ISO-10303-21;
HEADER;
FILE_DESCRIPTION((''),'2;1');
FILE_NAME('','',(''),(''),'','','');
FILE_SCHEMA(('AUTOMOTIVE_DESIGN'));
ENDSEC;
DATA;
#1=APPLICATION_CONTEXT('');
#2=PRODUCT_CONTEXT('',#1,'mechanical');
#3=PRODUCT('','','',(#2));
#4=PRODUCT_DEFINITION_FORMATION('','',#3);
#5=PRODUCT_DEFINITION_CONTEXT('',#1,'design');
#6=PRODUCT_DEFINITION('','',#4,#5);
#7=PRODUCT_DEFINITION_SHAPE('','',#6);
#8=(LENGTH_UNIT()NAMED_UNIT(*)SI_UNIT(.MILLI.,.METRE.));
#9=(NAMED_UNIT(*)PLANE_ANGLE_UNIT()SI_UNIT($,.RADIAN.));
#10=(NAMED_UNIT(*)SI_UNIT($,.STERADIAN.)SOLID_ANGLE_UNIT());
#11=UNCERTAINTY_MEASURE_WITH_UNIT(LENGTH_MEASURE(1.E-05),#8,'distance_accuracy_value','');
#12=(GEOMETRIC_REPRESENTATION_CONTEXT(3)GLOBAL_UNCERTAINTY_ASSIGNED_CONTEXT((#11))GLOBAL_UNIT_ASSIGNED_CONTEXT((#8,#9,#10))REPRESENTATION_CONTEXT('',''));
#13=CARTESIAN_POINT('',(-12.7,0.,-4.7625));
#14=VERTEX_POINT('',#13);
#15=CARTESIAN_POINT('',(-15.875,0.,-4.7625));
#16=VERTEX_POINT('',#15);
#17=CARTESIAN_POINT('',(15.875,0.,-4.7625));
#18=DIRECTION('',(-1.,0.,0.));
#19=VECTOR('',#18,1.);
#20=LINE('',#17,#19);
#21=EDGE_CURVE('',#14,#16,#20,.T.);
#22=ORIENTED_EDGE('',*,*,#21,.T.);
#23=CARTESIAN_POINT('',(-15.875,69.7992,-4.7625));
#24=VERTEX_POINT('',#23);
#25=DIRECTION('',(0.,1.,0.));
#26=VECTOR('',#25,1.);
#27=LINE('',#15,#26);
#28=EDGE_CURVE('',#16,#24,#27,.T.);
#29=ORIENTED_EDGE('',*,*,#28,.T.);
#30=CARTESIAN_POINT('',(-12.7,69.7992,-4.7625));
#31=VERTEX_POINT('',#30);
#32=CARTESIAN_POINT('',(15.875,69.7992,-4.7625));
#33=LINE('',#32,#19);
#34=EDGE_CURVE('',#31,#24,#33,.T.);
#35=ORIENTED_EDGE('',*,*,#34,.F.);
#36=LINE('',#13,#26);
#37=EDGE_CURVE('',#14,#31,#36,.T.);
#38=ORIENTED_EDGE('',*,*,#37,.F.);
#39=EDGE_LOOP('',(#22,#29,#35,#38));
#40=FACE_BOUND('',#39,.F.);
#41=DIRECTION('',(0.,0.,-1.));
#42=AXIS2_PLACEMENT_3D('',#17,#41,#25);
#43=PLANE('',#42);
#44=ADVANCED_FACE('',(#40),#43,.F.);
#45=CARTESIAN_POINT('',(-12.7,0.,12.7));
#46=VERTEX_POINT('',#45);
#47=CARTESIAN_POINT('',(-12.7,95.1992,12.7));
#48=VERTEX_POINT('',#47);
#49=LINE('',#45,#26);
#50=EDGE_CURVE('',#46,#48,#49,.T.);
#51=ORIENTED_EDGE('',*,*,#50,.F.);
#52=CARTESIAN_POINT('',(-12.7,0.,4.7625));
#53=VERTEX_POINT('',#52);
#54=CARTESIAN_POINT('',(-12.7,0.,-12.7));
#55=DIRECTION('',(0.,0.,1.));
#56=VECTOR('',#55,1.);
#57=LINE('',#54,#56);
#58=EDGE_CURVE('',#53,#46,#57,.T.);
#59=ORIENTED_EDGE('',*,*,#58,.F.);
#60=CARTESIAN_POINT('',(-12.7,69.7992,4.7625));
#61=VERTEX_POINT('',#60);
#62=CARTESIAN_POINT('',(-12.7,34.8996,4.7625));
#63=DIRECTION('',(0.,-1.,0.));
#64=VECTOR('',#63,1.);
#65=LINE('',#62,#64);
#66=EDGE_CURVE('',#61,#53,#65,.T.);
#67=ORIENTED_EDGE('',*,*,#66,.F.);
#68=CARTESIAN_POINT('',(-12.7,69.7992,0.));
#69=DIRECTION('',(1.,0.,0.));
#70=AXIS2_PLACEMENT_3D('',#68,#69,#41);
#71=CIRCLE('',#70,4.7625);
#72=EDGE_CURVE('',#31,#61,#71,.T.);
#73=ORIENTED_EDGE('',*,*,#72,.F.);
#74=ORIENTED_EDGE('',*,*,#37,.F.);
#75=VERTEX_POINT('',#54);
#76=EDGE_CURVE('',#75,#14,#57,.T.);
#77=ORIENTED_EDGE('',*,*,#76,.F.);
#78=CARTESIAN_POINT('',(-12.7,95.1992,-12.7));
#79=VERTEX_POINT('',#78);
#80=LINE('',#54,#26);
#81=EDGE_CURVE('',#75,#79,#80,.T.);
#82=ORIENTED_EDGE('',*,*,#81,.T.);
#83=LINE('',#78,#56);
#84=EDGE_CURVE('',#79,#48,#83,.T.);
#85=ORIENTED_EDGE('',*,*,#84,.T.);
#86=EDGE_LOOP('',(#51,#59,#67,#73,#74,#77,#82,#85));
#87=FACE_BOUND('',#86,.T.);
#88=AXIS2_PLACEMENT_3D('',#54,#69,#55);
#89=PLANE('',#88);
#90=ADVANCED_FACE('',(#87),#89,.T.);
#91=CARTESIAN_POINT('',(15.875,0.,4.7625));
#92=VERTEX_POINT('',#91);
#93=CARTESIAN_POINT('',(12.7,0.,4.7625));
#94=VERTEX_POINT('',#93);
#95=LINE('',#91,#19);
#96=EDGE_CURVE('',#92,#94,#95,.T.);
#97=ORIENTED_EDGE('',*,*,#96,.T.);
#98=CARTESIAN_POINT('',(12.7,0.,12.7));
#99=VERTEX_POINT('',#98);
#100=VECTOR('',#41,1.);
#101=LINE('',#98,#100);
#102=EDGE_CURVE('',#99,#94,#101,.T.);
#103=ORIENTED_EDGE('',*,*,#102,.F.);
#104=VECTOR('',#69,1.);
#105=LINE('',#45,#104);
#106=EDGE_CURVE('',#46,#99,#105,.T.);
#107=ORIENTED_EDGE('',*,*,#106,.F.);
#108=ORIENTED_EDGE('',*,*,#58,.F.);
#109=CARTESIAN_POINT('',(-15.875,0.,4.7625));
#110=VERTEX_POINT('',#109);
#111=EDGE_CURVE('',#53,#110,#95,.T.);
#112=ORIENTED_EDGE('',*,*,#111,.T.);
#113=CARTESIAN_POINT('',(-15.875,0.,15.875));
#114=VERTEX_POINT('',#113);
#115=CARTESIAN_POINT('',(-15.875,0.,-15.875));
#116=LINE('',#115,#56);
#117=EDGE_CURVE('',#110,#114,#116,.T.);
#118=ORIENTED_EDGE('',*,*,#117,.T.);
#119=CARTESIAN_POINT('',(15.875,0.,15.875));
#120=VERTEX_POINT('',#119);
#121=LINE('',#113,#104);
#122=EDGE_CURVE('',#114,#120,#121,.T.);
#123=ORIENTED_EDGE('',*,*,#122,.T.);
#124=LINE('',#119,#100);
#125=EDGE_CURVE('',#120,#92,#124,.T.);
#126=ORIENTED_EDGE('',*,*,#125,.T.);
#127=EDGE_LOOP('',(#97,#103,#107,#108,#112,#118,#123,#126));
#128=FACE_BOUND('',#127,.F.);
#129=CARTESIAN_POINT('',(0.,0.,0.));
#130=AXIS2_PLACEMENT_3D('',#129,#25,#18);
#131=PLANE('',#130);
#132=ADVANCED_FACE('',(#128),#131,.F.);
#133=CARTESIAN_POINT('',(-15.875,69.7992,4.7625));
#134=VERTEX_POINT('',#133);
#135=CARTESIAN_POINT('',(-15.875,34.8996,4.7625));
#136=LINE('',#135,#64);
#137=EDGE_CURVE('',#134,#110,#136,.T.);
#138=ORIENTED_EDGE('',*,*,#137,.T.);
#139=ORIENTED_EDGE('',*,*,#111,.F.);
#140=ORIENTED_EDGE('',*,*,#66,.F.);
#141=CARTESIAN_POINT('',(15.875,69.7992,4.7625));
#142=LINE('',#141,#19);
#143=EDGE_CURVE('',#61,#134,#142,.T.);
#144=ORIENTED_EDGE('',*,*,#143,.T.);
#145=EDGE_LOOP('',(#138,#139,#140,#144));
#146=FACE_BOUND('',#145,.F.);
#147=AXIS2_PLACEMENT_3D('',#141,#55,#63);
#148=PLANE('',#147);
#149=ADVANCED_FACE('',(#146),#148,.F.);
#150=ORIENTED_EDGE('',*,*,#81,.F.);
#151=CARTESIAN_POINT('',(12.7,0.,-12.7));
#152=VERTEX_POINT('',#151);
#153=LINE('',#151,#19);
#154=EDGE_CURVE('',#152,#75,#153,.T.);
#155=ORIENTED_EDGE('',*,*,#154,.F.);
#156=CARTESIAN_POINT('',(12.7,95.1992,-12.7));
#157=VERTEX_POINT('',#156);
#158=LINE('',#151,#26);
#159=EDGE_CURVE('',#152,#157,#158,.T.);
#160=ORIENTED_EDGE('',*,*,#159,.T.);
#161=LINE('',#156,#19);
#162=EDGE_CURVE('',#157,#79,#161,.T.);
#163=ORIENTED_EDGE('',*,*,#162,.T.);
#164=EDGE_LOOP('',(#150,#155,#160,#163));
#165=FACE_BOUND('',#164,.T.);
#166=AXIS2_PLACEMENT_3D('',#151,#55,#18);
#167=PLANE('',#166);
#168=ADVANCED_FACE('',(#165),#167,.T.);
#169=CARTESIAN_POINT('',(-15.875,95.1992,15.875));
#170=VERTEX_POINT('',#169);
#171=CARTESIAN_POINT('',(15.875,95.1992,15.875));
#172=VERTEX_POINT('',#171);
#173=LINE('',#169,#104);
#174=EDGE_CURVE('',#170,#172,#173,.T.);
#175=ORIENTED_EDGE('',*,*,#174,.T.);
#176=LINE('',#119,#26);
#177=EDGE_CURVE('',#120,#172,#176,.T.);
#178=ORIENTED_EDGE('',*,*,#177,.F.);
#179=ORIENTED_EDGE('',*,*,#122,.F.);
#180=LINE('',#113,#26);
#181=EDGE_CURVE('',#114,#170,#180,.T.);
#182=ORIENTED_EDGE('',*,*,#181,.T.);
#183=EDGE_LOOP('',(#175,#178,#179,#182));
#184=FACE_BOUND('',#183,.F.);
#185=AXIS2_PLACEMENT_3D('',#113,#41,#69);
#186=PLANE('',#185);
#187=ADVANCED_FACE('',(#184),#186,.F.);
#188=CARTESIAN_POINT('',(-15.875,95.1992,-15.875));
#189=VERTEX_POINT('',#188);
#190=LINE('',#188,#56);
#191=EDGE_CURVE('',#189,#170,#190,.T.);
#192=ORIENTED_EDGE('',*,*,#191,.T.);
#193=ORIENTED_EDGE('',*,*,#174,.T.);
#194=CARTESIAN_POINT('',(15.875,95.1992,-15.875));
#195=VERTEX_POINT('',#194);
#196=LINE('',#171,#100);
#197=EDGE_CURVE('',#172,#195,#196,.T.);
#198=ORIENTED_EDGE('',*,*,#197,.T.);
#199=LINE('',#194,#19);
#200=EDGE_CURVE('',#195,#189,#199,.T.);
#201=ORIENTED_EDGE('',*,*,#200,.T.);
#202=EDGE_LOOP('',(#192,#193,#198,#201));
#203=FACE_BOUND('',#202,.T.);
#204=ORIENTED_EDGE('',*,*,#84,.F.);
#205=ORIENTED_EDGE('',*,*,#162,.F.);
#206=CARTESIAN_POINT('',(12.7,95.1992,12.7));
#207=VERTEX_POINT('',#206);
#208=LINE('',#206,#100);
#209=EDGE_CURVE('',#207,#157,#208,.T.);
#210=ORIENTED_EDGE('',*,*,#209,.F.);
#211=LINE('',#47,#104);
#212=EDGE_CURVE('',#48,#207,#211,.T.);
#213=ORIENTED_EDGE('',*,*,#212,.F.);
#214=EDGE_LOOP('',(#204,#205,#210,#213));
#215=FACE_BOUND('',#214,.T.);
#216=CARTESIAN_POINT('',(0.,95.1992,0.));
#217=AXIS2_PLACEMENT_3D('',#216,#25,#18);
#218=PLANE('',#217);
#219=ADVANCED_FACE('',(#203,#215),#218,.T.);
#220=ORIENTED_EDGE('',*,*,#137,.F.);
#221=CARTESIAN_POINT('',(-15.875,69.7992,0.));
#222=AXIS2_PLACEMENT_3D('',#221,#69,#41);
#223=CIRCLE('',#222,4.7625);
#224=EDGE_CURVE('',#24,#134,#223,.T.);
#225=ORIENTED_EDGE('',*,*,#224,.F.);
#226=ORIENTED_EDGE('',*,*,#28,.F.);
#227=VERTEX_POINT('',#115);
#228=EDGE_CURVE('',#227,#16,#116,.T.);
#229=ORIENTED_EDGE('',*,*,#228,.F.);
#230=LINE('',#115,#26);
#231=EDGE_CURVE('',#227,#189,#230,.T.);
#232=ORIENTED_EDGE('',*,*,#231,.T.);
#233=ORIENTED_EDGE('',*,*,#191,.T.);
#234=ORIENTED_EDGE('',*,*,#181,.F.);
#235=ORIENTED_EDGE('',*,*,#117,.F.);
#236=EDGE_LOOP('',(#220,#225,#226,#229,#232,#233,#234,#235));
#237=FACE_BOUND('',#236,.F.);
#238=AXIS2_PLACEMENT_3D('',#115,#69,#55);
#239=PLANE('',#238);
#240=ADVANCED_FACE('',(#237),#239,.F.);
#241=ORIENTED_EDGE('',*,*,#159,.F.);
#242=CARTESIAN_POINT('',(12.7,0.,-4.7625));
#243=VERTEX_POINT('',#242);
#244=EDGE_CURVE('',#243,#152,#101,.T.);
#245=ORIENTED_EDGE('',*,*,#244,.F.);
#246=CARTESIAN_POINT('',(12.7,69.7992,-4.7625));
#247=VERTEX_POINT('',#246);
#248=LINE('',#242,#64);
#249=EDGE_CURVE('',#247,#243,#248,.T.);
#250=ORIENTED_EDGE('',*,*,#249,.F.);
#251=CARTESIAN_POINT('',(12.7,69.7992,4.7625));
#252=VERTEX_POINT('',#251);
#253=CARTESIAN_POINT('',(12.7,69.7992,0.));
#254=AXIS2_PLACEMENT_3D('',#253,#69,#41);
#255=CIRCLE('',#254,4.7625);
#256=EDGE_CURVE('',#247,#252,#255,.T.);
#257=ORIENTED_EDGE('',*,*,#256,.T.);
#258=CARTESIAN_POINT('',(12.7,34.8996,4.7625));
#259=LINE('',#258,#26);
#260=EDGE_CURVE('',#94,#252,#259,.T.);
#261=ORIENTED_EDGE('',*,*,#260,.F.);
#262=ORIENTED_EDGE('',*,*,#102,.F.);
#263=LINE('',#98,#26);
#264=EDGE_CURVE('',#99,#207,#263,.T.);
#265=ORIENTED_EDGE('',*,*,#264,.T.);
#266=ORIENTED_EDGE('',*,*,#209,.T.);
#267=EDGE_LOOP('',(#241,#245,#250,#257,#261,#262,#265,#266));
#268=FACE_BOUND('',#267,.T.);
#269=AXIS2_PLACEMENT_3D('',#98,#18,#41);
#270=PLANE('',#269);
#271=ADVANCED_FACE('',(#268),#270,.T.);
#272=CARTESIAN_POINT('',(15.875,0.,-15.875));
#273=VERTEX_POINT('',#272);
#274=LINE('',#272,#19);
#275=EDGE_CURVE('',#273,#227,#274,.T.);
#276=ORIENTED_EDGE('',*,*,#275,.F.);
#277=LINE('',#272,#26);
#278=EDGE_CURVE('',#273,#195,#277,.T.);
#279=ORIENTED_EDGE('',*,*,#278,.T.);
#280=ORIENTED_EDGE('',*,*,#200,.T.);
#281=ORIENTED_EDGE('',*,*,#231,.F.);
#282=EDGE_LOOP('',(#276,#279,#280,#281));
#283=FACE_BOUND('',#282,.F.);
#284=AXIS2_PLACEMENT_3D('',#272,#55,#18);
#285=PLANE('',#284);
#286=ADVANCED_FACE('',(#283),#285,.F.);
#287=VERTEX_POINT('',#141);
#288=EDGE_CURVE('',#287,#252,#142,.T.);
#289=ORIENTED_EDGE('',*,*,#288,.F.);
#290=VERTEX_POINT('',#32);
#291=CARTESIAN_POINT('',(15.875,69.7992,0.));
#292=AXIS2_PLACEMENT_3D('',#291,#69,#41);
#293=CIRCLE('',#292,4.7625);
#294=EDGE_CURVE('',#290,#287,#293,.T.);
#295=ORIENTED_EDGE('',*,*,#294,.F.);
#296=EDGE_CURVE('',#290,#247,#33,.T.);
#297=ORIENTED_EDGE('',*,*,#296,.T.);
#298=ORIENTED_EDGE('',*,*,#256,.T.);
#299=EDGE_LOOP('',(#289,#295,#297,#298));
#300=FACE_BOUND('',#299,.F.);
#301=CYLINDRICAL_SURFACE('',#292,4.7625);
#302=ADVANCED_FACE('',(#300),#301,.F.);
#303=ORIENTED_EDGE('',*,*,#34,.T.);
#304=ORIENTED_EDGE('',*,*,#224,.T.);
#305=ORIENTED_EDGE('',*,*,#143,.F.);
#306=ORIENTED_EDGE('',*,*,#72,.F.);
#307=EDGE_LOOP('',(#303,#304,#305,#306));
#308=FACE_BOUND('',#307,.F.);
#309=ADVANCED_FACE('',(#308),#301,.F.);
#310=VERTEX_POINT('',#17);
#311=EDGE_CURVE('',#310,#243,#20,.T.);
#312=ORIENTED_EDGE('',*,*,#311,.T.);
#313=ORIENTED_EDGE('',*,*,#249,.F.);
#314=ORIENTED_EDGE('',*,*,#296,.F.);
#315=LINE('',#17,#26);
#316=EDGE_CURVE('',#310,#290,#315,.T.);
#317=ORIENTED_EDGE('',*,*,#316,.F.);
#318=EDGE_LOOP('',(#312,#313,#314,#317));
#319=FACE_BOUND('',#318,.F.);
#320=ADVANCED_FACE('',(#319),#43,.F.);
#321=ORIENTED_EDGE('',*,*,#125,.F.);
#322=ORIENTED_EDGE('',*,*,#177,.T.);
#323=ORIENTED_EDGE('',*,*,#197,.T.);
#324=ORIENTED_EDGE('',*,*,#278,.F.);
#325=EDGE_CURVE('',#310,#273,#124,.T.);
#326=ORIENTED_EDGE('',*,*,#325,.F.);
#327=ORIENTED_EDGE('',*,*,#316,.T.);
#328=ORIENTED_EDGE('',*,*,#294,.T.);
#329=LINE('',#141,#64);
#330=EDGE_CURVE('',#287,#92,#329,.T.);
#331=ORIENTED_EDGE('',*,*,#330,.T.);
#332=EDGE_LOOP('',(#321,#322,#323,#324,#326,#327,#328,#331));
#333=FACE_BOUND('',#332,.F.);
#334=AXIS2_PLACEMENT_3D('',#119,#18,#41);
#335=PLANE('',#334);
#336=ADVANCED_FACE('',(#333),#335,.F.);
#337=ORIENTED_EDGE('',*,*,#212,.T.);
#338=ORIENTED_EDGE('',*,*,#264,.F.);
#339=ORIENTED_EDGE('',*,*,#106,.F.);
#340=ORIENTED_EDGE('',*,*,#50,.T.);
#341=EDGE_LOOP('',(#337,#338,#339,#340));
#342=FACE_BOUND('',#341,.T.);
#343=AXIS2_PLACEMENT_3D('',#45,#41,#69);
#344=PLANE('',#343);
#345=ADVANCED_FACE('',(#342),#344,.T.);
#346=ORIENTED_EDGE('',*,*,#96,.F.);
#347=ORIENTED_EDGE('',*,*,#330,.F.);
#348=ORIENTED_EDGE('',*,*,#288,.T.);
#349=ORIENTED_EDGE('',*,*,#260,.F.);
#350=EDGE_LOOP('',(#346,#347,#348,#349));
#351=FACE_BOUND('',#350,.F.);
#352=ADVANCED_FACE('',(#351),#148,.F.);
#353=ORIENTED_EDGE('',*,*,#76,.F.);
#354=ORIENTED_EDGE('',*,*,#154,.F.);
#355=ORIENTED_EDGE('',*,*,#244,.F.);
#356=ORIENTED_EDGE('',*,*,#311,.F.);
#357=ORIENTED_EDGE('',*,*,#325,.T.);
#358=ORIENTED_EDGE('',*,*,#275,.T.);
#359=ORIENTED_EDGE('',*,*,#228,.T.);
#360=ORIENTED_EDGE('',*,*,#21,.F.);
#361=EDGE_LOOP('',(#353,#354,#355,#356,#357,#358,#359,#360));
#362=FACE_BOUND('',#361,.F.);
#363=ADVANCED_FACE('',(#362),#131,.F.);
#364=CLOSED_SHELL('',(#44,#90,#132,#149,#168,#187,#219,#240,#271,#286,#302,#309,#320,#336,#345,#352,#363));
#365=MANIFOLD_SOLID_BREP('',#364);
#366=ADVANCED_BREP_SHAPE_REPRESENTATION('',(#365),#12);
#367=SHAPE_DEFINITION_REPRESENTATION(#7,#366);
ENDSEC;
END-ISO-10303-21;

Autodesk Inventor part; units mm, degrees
ref_plane "YZ Plane" through (0, 0, 0) normal (1, 0, 0) x (0, 1, 0)
ref_plane "XZ Plane" through (0, 0, 0) normal (0, 1, 0) x (-1, 0, 0)
ref_plane "XY Plane" through (0, 0, 0) normal (0, 0, 1) x (1, 0, 0)
sketch "Sketch1" plane through (0, 0, 0) normal (0, 1, 0) x (-1, 0, 0)
  line L0 (12.7, 12.7) -> (-12.7, 12.7)
  line L1 (-12.7, 12.7) -> (-12.7, -12.7)
  line L2 (-12.7, -12.7) -> (12.7, -12.7)
  line L3 (12.7, -12.7) -> (12.7, 12.7)
  line L4 (12.7, 12.7) -> (-12.7, -12.7) construction
  line L5 (-12.7, 12.7) -> (12.7, -12.7) construction
  line L6 (15.875, 15.875) -> (-15.875, 15.875)
  line L7 (-15.875, 15.875) -> (-15.875, -15.875)
  line L8 (-15.875, -15.875) -> (15.875, -15.875)
  line L9 (15.875, -15.875) -> (15.875, 15.875)
  line L10 (15.875, 15.875) -> (-15.875, -15.875) construction
  line L11 (-15.875, 15.875) -> (15.875, -15.875) construction
  point P0 (0, 0)
  dimension "d0" = 25.4
  dimension "d1" = 25.4
  dimension "d2" = 3.175
  dimension "d3" = 3.175
extrude "Extrusion1" add sketch "Sketch1" along normal blind 95.1992
sketch "Sketch2" plane through (15.875, 0, 15.875) normal (1, 0, 0) x (0, 0, -1)
  line L0 (15.875, 0) -> (15.875, 69.7992) construction
  line L1 (20.6375, 0) -> (20.6375, 69.7992)
  line L2 (11.1125, 69.7992) -> (11.1125, 0)
  arc A0 (11.1125, 0) -> (20.6375, 0) centre (15.875, 0) ccw
  arc A1 (20.6375, 69.7992) -> (11.1125, 69.7992) centre (15.875, 69.7992) ccw
  line L3 (0, 0) -> (31.75, 0) projected
  point P0 (15.875, 34.8996)
  dimension "d6" = 4.7625
  dimension "d7" = 69.7992
extrude "Extrusion2" cut sketch "Sketch2" against normal through all
sketch "Sketch3" plane through (-15.875, 0, 15.875) normal (0, 0, 1) x (1, 0, 0)
  line L0 (15.875, 0) -> (15.875, 95.1992) construction
  line L1 (28.575, 95.1992) -> (3.175, 95.1992) construction
  line L2 (0, 0) -> (31.75, 0) construction
  point P0 (15.875, 50.8)
  dimension "d10" = 50.8
properties part number "capForPost"
